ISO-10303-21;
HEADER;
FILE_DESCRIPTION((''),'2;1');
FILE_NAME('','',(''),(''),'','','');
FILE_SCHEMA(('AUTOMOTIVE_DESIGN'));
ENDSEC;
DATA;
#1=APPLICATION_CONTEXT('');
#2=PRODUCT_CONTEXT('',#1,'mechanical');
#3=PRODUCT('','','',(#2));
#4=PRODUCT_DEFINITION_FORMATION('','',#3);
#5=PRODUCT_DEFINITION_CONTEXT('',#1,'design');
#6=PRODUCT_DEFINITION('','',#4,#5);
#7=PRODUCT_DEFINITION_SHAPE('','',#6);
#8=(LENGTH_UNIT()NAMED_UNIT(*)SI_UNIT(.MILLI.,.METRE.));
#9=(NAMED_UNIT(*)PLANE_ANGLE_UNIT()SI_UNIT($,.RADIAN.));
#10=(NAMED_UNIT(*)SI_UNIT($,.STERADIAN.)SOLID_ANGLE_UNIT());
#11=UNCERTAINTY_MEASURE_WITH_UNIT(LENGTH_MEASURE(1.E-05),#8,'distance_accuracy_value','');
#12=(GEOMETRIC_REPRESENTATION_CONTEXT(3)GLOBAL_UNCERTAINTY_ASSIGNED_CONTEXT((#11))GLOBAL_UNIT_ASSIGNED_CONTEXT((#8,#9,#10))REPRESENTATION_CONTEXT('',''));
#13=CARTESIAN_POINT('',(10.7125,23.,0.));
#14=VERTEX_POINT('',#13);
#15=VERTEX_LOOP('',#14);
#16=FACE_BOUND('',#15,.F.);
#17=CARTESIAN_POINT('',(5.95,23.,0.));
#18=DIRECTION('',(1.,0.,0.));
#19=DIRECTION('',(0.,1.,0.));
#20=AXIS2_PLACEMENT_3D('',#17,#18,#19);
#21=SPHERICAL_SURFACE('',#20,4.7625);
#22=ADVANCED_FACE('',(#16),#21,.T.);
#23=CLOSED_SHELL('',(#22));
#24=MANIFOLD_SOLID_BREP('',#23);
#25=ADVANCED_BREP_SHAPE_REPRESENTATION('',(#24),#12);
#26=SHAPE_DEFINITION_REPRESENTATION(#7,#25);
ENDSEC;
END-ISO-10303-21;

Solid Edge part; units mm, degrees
sketch "Sketch1" plane through (0, 0, 0) normal (0, 0, 1) x (1, 0, 0)
  arc A0 (1.1875, 23) -> (10.7125, 23) centre (5.95, 23) cw
  line L0 (10.7125, 23) -> (1.1875, 23)
revolve "RevolvedProtrusion1" add sketch "Sketch1" angle 360 about axis through (10.7125, 23, 0) along (-1, 0, 0)
properties part number "3206 A-2RS1_PART3"
